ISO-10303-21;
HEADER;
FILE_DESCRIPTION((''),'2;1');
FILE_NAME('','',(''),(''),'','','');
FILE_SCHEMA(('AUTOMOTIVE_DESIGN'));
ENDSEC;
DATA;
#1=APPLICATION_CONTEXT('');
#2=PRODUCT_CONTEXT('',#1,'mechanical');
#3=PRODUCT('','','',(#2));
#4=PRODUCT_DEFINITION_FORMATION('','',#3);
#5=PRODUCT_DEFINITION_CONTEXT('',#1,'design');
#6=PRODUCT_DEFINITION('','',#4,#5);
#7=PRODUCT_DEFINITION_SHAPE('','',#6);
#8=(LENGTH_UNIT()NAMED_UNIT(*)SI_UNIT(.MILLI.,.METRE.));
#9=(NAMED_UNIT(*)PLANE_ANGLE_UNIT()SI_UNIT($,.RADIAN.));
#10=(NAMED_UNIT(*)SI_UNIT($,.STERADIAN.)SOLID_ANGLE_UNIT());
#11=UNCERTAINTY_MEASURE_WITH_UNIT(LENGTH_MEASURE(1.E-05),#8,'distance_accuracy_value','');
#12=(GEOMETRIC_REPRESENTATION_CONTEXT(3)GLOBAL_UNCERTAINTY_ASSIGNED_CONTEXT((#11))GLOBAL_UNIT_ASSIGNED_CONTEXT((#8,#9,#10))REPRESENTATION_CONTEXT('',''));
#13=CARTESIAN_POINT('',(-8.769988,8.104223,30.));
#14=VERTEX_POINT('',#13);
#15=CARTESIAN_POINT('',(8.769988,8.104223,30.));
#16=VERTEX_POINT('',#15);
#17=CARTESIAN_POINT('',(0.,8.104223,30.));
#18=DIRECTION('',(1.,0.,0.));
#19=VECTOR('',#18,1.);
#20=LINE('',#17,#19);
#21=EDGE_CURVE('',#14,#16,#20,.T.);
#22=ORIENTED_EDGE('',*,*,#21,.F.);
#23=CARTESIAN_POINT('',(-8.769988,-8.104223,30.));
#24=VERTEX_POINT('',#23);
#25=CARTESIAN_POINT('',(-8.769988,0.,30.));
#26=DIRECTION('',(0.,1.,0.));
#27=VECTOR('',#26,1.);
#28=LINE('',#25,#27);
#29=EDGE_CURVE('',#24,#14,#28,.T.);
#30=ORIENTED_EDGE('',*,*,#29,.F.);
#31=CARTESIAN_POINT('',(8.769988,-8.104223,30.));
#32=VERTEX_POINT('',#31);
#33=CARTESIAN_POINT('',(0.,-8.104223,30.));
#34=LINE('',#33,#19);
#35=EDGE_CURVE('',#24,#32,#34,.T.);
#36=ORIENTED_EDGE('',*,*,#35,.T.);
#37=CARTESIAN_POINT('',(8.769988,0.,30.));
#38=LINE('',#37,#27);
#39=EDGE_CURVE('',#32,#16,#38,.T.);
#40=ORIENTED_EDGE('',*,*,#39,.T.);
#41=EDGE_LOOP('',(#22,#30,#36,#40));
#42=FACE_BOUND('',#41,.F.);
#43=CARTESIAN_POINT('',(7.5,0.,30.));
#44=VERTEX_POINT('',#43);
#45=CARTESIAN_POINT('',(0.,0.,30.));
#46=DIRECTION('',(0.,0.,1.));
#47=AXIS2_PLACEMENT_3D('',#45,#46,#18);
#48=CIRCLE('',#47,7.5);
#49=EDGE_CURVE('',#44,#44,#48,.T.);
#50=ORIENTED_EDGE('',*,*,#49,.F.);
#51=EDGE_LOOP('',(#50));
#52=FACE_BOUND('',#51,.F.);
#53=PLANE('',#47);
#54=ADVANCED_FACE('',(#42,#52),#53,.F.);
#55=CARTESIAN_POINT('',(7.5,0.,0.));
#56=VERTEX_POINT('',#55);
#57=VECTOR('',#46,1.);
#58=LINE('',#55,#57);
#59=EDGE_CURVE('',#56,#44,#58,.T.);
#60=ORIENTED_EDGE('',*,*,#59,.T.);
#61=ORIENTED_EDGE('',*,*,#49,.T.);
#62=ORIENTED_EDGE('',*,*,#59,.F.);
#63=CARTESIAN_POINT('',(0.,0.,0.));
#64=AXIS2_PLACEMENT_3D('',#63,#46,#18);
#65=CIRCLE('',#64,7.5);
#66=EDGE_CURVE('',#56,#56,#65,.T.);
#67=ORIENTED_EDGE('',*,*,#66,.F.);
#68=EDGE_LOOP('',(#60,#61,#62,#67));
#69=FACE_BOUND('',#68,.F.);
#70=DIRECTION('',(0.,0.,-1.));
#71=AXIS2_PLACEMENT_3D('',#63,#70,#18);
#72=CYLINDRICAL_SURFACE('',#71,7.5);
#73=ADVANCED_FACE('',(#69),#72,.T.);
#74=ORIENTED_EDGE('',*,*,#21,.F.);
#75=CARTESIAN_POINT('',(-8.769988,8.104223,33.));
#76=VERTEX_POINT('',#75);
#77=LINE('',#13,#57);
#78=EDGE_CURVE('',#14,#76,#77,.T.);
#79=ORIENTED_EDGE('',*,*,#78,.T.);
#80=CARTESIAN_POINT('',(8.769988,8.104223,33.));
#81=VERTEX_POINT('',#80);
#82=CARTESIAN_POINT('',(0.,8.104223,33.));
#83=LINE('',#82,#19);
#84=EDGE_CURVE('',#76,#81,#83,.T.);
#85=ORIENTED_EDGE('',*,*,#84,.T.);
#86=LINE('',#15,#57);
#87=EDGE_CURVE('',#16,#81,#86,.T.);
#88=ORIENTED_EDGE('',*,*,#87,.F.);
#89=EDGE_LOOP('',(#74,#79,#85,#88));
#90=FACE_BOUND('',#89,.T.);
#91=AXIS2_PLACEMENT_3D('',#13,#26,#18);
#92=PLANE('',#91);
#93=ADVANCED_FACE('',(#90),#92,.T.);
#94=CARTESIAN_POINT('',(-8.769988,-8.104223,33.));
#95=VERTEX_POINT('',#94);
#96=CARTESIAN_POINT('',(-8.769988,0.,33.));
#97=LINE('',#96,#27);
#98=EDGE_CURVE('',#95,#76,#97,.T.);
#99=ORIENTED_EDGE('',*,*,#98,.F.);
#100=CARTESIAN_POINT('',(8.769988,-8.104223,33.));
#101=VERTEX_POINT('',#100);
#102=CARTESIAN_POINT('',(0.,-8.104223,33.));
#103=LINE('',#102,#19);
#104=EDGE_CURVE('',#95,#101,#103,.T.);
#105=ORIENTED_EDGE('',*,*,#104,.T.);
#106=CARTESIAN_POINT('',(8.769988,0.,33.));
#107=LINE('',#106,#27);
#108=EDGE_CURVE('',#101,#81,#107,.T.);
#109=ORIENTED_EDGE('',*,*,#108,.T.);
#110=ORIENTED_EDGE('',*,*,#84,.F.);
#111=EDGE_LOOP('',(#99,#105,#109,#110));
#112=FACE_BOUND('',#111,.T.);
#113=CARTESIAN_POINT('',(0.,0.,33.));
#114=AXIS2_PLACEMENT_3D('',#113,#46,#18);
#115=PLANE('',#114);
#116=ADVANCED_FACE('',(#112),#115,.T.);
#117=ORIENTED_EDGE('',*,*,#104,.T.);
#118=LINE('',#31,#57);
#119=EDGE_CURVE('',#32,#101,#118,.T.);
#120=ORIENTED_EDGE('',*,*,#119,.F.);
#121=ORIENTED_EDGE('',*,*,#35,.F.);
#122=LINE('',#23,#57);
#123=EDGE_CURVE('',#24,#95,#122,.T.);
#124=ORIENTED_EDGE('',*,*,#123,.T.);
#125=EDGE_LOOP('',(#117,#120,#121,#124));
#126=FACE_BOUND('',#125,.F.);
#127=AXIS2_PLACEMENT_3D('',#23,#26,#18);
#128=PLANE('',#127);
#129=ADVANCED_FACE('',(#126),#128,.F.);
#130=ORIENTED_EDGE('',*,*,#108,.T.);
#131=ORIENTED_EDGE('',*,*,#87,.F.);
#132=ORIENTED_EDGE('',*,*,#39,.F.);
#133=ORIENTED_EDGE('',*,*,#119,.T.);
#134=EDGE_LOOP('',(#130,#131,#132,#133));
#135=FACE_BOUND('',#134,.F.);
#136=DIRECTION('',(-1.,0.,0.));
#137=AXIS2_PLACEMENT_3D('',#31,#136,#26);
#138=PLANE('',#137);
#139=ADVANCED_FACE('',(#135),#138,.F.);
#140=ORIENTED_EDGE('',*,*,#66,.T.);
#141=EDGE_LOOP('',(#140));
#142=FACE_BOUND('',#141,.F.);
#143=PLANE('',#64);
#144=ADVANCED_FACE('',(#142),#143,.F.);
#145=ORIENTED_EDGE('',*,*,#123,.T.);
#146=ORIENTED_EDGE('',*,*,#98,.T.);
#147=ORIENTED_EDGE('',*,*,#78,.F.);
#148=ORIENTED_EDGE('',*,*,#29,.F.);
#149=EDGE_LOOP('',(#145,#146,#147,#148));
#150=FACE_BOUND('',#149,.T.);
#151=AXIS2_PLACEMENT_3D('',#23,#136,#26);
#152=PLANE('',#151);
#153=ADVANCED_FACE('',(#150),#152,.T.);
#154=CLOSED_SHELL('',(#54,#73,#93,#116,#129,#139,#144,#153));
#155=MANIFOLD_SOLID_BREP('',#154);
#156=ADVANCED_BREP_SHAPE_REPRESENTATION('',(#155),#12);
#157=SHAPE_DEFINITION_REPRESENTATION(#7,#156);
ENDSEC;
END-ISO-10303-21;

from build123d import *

# Parameters (mm, degrees)
SKETCH_R     = 7.5
PAD_DEPTH    = 30
SKETCH001_W  = 17.539976
SKETCH001_H  = 16.208446
PAD001_DEPTH = 3


with BuildPart() as part:
    # Sketch → Pad (new body)
    with BuildSketch(Plane.XY):
        Circle(SKETCH_R)
    extrude(amount=PAD_DEPTH)

    # Sketch001 → Pad001 (join)
    with BuildSketch(Plane.XY.offset(30)):
        Rectangle(SKETCH001_W, SKETCH001_H)
    extrude(amount=PAD001_DEPTH)


solid = part.part
